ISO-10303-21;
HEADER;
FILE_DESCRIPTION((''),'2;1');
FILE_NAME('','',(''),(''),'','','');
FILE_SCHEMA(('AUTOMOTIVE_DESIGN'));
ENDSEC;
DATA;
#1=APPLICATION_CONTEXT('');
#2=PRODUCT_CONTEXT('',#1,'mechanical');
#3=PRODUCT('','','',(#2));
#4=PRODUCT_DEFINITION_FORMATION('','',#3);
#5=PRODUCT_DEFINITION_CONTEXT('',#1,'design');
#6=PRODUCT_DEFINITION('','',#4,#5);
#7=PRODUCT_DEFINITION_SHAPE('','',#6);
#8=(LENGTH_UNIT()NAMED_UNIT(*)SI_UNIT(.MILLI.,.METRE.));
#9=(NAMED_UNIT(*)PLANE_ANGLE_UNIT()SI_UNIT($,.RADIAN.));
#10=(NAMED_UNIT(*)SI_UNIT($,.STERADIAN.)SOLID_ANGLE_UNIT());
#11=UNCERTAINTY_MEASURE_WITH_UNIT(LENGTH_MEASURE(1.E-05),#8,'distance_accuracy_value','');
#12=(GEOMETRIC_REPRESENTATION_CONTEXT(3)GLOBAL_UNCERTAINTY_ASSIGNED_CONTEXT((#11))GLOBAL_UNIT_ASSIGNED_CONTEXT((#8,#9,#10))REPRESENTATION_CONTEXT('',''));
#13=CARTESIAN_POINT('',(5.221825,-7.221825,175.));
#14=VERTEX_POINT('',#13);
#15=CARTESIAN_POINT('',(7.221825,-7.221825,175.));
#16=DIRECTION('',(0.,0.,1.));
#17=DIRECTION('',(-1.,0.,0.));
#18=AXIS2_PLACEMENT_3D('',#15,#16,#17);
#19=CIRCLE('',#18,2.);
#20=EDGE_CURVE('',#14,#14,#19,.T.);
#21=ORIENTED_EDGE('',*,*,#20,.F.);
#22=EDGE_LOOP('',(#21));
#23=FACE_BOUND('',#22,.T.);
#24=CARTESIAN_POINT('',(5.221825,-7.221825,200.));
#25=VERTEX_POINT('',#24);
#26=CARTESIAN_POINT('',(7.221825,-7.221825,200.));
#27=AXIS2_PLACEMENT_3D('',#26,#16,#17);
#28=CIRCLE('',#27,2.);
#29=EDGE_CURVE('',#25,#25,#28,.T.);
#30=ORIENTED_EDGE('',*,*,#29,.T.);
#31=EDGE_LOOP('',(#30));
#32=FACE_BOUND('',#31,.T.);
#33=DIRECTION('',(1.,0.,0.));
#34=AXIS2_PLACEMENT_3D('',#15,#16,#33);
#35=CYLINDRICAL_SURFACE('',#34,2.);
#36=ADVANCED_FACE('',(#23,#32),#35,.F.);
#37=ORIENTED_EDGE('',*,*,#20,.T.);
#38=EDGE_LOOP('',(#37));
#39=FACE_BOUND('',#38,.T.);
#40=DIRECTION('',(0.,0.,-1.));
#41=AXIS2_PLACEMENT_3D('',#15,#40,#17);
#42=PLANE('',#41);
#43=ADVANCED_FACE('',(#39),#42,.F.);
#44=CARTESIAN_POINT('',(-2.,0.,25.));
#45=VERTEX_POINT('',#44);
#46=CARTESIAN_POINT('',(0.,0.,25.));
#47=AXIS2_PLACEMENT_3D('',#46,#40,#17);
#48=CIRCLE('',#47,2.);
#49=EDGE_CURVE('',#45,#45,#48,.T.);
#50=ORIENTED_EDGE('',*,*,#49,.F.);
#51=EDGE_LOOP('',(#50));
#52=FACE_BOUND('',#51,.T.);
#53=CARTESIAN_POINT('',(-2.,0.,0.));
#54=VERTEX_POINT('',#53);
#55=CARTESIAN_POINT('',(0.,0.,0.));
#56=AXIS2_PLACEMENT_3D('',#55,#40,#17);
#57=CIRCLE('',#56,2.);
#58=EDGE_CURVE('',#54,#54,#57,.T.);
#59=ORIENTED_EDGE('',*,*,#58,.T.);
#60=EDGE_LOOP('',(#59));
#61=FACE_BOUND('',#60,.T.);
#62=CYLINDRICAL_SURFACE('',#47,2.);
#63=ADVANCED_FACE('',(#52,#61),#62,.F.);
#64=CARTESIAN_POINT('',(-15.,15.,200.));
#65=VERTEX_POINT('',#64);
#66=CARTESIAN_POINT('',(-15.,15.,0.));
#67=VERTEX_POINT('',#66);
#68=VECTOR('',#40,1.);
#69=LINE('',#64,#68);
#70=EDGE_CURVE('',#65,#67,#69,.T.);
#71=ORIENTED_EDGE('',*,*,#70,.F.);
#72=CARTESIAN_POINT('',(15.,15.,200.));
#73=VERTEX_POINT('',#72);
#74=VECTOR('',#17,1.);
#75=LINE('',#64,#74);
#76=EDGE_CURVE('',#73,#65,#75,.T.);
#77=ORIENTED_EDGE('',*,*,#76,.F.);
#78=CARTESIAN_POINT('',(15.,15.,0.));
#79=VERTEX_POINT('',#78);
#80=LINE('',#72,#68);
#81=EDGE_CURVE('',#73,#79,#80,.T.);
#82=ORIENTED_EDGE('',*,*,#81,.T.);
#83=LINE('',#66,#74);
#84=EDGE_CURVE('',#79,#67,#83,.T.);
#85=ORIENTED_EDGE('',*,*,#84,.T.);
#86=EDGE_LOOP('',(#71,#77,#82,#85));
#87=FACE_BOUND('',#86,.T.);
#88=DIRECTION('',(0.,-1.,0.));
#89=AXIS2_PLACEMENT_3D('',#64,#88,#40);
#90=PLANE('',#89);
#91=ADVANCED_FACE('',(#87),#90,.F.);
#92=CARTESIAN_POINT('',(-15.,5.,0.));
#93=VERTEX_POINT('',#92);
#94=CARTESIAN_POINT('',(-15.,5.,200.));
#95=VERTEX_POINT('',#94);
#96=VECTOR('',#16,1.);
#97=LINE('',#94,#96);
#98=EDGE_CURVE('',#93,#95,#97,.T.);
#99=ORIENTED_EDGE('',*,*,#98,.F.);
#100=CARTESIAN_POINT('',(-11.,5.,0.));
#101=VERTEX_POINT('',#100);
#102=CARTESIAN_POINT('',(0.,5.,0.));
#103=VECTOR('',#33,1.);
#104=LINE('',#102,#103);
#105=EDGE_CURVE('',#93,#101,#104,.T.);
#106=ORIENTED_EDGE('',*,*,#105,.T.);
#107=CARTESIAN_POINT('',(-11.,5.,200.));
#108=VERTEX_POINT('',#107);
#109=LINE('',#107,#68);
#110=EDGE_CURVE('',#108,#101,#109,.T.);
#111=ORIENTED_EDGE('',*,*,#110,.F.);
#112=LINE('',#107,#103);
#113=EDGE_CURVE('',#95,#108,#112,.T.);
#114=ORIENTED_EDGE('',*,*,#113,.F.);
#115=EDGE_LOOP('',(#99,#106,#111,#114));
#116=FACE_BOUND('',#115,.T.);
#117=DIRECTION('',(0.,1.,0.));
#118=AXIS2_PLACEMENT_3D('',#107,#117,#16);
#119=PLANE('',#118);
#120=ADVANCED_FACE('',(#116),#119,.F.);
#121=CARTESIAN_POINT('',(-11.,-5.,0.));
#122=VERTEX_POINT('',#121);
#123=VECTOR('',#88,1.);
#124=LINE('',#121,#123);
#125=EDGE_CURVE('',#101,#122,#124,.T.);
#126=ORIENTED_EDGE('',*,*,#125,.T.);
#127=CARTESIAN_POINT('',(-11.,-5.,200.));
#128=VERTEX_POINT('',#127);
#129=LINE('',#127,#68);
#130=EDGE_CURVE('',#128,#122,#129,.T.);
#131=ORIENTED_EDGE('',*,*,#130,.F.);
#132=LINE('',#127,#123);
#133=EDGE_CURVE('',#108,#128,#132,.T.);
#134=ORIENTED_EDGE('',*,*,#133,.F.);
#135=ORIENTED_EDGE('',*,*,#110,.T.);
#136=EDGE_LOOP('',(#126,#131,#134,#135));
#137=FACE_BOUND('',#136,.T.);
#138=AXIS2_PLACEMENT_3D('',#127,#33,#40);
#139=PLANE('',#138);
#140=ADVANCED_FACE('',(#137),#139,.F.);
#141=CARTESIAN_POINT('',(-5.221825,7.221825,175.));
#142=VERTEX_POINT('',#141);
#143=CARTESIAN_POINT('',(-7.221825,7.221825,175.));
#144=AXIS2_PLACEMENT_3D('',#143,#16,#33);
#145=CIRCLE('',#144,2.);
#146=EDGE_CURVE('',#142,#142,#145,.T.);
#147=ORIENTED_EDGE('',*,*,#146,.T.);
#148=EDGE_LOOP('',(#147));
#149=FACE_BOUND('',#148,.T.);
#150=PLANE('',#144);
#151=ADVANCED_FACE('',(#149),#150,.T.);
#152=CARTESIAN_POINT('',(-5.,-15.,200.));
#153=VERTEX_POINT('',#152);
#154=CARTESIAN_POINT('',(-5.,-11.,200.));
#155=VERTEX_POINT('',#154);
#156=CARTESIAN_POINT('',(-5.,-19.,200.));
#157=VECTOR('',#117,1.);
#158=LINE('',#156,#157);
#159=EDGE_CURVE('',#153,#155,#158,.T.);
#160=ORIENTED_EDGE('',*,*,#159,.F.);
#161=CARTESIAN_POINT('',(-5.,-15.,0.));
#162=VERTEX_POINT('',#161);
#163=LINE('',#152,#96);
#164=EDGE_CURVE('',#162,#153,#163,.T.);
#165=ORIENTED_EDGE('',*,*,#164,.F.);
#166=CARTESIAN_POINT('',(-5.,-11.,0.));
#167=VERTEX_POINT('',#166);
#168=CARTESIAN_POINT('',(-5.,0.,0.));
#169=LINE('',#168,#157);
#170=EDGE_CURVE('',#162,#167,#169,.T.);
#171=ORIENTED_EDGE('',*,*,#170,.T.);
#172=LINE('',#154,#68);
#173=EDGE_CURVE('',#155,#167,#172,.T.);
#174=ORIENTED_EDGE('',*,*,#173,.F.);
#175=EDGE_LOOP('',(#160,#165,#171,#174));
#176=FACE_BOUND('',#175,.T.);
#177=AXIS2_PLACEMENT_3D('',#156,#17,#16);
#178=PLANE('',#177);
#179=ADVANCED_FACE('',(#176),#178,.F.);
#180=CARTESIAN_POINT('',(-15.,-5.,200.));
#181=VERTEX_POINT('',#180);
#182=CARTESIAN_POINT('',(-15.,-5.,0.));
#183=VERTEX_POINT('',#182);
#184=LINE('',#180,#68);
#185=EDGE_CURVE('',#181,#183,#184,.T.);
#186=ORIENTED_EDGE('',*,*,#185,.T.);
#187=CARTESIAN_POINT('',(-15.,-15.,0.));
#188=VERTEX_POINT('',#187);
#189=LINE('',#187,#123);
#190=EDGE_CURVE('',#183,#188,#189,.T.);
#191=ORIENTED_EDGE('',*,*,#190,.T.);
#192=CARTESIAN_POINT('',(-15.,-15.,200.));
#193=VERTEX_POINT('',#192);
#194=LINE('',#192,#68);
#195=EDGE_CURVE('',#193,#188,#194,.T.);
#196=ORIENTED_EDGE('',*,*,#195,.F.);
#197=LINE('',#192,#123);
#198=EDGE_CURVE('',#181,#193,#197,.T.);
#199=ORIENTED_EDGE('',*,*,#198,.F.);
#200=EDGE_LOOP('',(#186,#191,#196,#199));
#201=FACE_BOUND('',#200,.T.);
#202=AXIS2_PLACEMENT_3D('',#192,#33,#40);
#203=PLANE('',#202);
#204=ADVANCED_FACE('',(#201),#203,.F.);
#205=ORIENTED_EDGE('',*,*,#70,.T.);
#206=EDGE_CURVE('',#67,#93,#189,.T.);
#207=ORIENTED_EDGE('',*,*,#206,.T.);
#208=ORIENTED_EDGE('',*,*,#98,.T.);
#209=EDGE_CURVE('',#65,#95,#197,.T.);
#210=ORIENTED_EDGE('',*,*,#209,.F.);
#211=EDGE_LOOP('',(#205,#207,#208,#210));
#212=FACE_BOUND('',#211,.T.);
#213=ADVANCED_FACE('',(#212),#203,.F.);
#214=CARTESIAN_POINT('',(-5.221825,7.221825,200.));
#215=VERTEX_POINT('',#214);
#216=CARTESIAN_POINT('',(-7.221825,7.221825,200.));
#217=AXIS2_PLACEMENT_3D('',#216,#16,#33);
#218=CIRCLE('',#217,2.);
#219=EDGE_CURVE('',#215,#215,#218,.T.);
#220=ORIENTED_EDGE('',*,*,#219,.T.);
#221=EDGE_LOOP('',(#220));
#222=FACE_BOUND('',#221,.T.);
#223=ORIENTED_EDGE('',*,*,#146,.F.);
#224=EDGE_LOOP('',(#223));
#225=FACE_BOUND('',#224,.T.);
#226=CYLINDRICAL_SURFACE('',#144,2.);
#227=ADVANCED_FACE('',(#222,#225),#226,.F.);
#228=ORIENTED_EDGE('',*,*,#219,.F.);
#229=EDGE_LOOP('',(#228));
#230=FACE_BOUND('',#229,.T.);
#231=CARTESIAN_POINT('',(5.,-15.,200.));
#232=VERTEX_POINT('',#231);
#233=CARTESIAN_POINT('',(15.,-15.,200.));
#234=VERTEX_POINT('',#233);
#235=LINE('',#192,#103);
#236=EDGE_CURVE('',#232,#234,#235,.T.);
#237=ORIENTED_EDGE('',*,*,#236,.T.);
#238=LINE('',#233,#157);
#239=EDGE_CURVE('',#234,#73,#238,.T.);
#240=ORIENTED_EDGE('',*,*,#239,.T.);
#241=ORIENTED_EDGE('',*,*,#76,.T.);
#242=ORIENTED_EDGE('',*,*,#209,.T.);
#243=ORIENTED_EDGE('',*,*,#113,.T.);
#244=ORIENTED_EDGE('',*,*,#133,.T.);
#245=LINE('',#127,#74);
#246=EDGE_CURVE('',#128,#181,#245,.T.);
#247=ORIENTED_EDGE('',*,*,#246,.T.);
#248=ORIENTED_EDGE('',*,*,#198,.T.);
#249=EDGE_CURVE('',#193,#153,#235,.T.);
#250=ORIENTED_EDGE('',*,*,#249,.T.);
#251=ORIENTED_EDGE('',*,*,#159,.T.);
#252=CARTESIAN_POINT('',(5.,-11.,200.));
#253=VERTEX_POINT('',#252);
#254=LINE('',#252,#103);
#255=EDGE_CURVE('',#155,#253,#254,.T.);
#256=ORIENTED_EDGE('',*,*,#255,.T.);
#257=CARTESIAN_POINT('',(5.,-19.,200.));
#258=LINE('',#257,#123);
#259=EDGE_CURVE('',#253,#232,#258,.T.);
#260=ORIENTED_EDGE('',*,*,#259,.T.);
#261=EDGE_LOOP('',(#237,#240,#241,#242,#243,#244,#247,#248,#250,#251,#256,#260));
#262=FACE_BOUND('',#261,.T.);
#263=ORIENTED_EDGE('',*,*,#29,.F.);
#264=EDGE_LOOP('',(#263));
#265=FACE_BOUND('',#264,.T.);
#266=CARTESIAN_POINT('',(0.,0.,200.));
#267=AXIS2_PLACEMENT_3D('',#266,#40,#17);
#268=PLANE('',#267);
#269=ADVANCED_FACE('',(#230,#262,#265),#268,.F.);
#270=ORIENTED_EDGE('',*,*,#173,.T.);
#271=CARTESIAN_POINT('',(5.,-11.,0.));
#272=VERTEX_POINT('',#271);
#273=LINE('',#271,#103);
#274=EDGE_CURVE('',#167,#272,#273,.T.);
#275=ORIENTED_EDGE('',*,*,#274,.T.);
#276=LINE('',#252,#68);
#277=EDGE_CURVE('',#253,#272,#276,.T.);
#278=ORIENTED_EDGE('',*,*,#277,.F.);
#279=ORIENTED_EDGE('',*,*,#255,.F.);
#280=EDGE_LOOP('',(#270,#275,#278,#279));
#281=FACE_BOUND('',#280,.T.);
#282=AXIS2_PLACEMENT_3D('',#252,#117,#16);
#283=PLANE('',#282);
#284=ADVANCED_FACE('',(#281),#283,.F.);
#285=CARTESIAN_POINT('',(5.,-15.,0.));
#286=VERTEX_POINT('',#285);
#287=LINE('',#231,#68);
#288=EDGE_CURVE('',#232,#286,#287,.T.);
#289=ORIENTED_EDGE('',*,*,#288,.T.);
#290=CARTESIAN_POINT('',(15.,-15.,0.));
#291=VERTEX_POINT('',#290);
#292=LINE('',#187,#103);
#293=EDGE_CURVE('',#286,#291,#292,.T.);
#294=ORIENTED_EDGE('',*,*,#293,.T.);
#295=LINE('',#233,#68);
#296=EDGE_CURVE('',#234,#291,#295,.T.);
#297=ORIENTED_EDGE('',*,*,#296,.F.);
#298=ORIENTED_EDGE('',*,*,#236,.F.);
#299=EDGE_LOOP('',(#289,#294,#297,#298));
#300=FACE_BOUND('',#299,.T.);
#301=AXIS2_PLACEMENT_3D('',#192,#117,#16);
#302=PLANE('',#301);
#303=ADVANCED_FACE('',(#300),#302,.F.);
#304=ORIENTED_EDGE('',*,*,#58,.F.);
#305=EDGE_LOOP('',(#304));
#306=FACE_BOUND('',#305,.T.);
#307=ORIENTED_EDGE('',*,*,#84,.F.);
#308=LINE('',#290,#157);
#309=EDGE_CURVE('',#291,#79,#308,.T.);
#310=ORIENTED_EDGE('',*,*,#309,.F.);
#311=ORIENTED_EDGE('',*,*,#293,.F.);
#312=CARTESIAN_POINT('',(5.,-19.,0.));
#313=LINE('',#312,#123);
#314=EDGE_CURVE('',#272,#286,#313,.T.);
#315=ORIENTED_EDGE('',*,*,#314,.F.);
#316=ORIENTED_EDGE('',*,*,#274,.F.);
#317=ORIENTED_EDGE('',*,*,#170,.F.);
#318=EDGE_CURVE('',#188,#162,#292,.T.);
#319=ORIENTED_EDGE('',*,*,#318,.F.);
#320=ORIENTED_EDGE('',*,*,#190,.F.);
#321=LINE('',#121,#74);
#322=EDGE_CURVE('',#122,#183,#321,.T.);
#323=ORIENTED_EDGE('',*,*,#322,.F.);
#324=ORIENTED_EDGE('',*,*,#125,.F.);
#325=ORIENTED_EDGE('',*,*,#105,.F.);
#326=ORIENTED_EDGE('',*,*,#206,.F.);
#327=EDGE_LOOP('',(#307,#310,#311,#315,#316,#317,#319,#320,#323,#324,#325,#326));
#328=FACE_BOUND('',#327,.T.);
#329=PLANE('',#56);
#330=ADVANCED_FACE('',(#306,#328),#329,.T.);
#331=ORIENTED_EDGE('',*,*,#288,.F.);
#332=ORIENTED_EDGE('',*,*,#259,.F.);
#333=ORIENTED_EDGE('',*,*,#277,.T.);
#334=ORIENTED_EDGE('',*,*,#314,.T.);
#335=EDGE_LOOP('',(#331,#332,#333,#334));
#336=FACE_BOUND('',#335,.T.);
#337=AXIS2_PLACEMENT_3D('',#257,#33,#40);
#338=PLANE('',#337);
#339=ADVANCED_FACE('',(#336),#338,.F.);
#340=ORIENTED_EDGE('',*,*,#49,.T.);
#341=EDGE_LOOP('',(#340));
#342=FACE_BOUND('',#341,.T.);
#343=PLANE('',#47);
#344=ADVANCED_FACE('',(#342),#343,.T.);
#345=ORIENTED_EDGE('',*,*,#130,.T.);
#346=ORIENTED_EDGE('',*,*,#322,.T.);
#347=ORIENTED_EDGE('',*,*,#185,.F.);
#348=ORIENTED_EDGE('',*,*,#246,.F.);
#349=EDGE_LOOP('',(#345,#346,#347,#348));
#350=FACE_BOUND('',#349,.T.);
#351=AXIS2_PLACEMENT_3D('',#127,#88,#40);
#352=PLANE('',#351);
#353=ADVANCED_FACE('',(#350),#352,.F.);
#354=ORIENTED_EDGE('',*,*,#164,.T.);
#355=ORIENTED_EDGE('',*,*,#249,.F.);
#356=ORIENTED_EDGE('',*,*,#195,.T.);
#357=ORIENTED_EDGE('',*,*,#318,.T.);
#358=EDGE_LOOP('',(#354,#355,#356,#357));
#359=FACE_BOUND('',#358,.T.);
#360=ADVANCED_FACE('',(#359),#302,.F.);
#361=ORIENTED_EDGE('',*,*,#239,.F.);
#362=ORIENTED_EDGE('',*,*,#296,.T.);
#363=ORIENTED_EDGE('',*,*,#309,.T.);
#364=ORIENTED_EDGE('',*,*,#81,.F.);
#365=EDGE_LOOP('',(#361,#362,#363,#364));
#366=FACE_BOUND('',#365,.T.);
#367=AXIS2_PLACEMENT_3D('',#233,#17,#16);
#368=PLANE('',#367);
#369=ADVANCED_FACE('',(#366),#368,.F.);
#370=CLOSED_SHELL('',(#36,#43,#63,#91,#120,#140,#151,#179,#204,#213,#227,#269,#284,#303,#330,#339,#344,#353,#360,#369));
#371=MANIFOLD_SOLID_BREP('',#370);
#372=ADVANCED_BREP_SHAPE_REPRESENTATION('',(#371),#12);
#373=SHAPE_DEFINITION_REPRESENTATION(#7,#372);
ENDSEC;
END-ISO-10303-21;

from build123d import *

# Parameters (mm, degrees)
CROQUIS1_W              = 30
CROQUIS1_H              = 30
SALIENTE_EXTRUIR1_DEPTH = 200
CROQUIS2_R              = 2
CORTAR_EXTRUIR1_DEPTH   = 25
CROQUIS4_R              = 2
CORTAR_EXTRUIR3_DEPTH   = 25
CROQUIS5_W              = 10
CROQUIS5_H              = 8
CROQUIS5_W_2            = 8
CROQUIS5_H_2            = 10
CORTAR_EXTRUIR4_DEPTH   = 200


with BuildPart() as part:
    # Croquis1 → Saliente-Extruir1 (new body)
    with BuildSketch(Plane.XY):
        Rectangle(CROQUIS1_W, CROQUIS1_H)
    extrude(amount=SALIENTE_EXTRUIR1_DEPTH)

    # Croquis2 → Cortar-Extruir1 (cut)
    with BuildSketch(Plane.XY.offset(200)):
        with Locations((-7.221825407, 7.221825407)):
            Circle(CROQUIS2_R)
        with Locations(Location((7.221825407, -7.221825407, 0), (0, 0, 180))):
            Circle(CROQUIS2_R)
    extrude(amount=-CORTAR_EXTRUIR1_DEPTH, mode=Mode.SUBTRACT)

    # Croquis4 → Cortar-Extruir3 (cut)
    with BuildSketch(Plane(origin=(0, 0, 0), x_dir=(-1, 0, 0), z_dir=(0, 0, -1))):
        Circle(CROQUIS4_R)
    extrude(amount=-CORTAR_EXTRUIR3_DEPTH, mode=Mode.SUBTRACT)

    # Croquis5 → Cortar-Extruir4 (cut)
    with BuildSketch(Plane(origin=(0, 0, 0), x_dir=(-1, 0, 0), z_dir=(0, 0, -1))):
        with Locations((0, -15)):
            Rectangle(CROQUIS5_W, CROQUIS5_H)
        with Locations((15, 0)):
            Rectangle(CROQUIS5_W_2, CROQUIS5_H_2)
    extrude(amount=-CORTAR_EXTRUIR4_DEPTH, mode=Mode.SUBTRACT)


solid = part.part
